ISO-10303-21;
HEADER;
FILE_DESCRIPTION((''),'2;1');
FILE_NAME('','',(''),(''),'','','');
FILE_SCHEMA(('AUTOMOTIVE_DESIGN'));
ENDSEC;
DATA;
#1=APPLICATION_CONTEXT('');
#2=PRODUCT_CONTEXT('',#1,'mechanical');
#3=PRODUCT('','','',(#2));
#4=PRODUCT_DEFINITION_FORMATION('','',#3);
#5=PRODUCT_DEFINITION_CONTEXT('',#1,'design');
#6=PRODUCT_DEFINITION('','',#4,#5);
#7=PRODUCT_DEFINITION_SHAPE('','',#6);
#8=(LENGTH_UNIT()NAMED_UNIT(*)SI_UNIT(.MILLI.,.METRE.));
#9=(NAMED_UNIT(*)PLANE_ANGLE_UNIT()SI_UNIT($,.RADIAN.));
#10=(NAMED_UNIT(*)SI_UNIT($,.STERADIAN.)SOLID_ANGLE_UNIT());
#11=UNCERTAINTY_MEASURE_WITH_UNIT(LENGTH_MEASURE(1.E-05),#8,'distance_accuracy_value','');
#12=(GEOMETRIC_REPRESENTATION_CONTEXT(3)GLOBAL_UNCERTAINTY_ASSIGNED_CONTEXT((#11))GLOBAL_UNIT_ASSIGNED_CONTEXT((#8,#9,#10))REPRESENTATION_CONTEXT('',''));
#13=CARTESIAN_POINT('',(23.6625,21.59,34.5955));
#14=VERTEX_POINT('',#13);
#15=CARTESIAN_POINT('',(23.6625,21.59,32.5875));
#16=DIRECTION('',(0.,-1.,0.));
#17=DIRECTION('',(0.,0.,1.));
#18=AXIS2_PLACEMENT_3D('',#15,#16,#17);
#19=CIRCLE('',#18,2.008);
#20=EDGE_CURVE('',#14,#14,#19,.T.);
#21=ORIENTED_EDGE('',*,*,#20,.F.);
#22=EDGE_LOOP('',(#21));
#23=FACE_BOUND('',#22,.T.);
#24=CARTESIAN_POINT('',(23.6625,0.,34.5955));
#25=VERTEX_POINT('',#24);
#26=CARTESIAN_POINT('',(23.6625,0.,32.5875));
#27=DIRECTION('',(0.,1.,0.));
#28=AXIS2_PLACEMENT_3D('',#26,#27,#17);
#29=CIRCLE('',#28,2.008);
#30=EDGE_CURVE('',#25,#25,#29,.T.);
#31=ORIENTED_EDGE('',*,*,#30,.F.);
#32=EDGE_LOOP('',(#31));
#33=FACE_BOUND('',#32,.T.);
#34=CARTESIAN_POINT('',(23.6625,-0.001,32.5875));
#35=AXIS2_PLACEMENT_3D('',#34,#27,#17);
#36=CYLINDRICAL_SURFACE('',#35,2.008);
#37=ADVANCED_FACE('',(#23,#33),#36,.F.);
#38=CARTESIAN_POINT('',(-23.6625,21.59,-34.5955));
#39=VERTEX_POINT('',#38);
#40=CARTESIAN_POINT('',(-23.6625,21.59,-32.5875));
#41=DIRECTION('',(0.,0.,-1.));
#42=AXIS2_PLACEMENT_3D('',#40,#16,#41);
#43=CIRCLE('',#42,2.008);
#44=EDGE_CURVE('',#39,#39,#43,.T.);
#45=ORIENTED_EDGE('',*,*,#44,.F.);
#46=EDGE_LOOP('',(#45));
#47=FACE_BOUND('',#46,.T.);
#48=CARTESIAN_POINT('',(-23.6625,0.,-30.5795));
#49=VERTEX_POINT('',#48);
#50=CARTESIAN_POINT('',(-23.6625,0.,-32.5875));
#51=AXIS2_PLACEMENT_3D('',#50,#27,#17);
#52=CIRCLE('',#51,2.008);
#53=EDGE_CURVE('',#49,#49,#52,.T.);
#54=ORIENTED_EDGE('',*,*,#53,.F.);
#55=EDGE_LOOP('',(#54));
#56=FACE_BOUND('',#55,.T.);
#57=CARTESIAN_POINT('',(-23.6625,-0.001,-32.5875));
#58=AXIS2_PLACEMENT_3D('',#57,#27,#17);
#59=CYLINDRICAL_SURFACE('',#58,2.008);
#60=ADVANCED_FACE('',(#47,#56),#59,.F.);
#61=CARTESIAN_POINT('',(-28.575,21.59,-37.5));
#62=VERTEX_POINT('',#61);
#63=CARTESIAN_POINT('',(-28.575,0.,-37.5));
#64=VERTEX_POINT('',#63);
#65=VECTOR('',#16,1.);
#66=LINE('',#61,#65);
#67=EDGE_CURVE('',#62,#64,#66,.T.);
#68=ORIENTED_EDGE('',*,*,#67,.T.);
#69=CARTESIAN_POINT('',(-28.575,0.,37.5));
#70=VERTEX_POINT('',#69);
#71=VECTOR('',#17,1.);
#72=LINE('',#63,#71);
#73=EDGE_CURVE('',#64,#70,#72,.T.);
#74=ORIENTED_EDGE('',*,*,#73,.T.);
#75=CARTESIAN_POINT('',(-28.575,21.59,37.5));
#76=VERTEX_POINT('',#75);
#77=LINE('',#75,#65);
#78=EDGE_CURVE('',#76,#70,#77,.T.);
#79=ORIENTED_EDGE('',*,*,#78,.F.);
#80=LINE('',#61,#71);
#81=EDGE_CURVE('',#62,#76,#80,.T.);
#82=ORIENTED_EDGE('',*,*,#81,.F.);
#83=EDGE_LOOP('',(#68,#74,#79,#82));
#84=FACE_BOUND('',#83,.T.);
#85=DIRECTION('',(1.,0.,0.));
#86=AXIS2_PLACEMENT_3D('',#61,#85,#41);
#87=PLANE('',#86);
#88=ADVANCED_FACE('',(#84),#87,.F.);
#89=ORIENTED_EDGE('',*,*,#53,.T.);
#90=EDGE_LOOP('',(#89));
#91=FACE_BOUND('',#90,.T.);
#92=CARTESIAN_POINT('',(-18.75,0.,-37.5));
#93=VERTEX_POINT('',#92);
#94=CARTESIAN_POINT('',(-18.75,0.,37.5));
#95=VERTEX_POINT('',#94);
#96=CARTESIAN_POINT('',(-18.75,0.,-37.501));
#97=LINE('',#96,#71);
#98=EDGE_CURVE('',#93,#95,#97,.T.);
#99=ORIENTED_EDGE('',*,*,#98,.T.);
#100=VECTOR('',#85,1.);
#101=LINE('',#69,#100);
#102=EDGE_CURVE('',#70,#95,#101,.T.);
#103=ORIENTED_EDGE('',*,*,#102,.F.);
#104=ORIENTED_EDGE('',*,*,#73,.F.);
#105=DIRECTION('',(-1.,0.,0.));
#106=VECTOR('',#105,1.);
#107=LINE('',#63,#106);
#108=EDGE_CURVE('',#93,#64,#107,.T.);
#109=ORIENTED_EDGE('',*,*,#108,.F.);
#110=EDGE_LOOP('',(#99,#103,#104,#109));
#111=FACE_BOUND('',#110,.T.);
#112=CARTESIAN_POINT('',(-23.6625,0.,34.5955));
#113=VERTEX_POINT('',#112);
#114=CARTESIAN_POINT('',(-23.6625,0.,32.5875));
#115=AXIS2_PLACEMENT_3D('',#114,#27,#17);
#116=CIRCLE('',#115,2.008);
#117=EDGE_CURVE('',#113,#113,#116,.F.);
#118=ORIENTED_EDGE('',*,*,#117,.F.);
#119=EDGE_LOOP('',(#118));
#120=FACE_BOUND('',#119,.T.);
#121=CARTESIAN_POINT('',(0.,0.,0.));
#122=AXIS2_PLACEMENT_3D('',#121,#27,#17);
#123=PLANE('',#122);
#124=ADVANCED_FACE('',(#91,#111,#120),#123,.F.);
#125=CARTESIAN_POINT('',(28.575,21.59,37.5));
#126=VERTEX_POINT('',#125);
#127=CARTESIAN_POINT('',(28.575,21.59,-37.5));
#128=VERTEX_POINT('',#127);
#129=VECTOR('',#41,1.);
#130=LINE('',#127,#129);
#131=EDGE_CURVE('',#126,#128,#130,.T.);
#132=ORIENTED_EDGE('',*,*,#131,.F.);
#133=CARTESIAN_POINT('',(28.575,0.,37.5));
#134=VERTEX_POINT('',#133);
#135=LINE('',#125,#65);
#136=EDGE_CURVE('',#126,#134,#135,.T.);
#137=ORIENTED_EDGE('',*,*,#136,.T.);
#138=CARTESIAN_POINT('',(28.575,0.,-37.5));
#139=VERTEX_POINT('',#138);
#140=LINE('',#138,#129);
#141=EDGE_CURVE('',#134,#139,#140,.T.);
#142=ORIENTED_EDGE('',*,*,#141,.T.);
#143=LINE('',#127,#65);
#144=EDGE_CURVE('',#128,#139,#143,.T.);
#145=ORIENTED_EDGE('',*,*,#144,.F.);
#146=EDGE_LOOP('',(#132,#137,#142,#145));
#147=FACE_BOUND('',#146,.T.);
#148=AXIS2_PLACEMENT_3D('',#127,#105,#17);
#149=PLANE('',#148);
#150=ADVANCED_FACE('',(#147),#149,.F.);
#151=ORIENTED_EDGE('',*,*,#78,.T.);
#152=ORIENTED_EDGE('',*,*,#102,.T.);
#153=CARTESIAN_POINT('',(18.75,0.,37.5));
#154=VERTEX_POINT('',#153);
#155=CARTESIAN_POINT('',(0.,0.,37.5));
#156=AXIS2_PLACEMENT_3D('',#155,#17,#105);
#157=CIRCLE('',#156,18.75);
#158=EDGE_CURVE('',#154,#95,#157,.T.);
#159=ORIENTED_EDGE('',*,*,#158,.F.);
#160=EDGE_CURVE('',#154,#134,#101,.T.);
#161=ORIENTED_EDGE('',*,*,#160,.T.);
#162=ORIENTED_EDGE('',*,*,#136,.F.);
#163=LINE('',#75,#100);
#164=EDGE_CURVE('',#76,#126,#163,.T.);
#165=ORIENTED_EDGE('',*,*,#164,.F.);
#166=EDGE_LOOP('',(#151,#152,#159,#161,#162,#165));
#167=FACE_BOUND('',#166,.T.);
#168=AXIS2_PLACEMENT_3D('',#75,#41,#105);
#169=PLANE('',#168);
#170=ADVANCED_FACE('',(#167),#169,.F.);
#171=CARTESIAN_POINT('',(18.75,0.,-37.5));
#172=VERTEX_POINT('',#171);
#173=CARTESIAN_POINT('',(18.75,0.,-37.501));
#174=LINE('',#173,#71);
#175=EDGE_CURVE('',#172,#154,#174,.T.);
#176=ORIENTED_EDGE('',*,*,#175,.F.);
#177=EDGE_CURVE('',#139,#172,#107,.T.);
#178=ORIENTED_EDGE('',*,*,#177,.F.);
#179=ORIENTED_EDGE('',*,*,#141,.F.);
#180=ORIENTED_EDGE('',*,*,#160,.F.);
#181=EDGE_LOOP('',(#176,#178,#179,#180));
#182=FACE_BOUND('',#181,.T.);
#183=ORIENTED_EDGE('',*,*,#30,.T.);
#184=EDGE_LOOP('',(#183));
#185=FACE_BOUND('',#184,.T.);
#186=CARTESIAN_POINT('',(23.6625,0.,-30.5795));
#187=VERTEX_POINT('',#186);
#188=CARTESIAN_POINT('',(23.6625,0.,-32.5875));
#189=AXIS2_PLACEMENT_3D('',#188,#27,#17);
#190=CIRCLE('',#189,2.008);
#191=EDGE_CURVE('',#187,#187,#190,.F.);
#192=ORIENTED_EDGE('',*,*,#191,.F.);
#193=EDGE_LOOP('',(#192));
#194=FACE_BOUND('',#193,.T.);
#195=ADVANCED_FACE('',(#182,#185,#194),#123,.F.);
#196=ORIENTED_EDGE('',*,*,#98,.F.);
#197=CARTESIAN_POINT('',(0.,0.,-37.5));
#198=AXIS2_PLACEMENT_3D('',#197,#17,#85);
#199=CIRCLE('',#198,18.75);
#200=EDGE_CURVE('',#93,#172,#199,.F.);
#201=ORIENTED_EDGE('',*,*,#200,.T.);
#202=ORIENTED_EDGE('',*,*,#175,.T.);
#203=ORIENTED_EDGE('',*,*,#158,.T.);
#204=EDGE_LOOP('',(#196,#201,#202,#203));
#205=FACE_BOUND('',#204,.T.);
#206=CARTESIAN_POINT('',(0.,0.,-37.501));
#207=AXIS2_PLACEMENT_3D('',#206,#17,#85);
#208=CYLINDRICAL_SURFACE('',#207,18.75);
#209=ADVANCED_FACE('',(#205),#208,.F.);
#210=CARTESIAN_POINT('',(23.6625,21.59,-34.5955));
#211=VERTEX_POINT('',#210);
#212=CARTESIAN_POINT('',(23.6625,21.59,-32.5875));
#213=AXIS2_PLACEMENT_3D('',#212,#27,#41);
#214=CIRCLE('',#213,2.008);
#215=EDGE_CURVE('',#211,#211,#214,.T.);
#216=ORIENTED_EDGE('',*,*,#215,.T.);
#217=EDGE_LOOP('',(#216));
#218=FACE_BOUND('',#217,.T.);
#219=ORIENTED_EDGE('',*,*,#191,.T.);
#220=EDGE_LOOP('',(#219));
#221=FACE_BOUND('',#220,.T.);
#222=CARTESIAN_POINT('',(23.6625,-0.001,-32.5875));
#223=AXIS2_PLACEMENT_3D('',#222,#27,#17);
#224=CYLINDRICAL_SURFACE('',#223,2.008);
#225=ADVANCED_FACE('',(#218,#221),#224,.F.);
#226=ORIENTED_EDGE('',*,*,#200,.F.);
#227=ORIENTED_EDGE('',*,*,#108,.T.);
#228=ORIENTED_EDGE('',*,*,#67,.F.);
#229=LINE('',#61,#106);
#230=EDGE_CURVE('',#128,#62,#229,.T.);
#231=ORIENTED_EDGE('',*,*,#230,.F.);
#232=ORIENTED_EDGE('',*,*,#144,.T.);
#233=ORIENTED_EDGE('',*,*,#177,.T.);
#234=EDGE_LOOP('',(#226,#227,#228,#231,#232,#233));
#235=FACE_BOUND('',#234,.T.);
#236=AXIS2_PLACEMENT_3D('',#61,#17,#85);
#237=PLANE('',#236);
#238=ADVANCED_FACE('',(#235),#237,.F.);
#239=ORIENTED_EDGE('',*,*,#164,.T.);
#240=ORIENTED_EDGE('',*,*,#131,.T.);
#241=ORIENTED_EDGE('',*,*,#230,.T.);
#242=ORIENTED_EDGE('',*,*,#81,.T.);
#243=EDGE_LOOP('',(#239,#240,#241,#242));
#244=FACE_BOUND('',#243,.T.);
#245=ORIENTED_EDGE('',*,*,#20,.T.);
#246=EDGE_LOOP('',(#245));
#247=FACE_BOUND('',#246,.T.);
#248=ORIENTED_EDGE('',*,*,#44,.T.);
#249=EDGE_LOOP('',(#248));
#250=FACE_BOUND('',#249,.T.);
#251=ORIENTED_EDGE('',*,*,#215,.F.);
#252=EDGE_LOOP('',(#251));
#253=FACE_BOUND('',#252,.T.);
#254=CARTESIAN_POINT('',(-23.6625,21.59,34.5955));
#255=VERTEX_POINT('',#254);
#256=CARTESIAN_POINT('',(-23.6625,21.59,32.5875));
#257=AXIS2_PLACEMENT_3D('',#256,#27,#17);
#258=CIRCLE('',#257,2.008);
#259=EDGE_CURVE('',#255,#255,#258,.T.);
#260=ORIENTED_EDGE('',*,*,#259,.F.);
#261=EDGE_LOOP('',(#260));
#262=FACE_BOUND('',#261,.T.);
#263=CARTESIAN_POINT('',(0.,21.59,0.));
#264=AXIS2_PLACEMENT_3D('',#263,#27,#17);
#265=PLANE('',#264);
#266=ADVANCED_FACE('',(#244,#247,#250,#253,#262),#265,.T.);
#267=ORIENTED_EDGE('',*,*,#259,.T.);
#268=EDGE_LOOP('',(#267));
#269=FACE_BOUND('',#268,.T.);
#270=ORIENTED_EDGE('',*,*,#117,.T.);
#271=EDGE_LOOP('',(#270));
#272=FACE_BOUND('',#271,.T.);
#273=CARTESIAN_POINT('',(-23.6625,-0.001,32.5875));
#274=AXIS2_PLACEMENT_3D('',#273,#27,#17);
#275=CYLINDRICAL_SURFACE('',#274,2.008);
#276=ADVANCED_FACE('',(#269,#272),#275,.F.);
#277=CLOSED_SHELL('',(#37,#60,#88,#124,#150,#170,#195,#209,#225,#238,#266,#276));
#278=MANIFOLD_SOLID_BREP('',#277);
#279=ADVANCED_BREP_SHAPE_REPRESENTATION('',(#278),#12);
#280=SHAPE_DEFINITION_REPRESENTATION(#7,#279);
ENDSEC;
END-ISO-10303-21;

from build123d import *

# Parameters (mm, degrees)
SKETCH1_W                                  = 57.15
SKETCH1_H                                  = 75
BOSS_EXTRUDE1_DEPTH                        = 21.59
CUT_EXTRUDE1_REACH                         = 77
SKETCH5_R                                  = 2.008
CUT_EXTRUDE5_DEPTH                         = 21.59
MIRROR1_AT_THE_SECOND_PLANE_COPY_1_SKETC_R = 2.008
MIRROR1_AT_THE_SECOND_PLANE_COPY_1_DEPTH   = 21.59


with BuildPart() as part:
    # Sketch1 → Boss-Extrude1 (new body)
    with BuildSketch(Plane(origin=(0, 0, 0), x_dir=(1, 0, 0), z_dir=(0, 1, 0))):
        Rectangle(SKETCH1_W, SKETCH1_H)
    extrude(amount=BOSS_EXTRUDE1_DEPTH)

    # Sketch3 → Cut-Extrude1 (cut, up to next)
    with BuildSketch(Plane.XY.offset(37.5), mode=Mode.PRIVATE) as cut_extrude1_sk1:
        with BuildLine():
            Line((-18.75, 0), (18.75, 0))
            ThreePointArc((18.75, 0), (0, 18.75), (-18.75, 0))
        make_face()
    cut_extrude1_tool1 = extrude(cut_extrude1_sk1.sketch, amount=-CUT_EXTRUDE1_REACH, mode=Mode.PRIVATE) & part.part
    add(cut_extrude1_tool1.solids().sort_by_distance((0, 7.957747, 37.5))[0], mode=Mode.SUBTRACT)

    # Sketch5 → Cut-Extrude5 (cut)
    with BuildSketch(Plane(origin=(0, 21.59, 0), x_dir=(1, 0, 0), z_dir=(0, 1, 0))):
        with Locations((-23.6625, -32.5875)):
            Circle(SKETCH5_R)
    cut_extrude5 = extrude(amount=-CUT_EXTRUDE5_DEPTH, mode=Mode.SUBTRACT)

    # Mirror1: Cut-Extrude5 across plane
    add(cut_extrude5.mirror(Plane(origin=(0, 0, 0), x_dir=(0, 0, 1), z_dir=(1, 0, 0))), mode=Mode.SUBTRACT)

    # Mirror1 at the second plane: Cut-Extrude5 across plane
    add(cut_extrude5.mirror(Plane.XY), mode=Mode.SUBTRACT)

    # Mirror1 at the second plane copy 1 sketc → Mirror1 at the second plane copy 1 (cut)
    with BuildSketch(Plane(origin=(0, 21.59, 0), x_dir=(-1, 0, 0), z_dir=(0, 1, 0))):
        with Locations((-23.6625, -32.5875)):
            Circle(MIRROR1_AT_THE_SECOND_PLANE_COPY_1_SKETC_R)
    extrude(amount=-MIRROR1_AT_THE_SECOND_PLANE_COPY_1_DEPTH, mode=Mode.SUBTRACT)


solid = part.part
